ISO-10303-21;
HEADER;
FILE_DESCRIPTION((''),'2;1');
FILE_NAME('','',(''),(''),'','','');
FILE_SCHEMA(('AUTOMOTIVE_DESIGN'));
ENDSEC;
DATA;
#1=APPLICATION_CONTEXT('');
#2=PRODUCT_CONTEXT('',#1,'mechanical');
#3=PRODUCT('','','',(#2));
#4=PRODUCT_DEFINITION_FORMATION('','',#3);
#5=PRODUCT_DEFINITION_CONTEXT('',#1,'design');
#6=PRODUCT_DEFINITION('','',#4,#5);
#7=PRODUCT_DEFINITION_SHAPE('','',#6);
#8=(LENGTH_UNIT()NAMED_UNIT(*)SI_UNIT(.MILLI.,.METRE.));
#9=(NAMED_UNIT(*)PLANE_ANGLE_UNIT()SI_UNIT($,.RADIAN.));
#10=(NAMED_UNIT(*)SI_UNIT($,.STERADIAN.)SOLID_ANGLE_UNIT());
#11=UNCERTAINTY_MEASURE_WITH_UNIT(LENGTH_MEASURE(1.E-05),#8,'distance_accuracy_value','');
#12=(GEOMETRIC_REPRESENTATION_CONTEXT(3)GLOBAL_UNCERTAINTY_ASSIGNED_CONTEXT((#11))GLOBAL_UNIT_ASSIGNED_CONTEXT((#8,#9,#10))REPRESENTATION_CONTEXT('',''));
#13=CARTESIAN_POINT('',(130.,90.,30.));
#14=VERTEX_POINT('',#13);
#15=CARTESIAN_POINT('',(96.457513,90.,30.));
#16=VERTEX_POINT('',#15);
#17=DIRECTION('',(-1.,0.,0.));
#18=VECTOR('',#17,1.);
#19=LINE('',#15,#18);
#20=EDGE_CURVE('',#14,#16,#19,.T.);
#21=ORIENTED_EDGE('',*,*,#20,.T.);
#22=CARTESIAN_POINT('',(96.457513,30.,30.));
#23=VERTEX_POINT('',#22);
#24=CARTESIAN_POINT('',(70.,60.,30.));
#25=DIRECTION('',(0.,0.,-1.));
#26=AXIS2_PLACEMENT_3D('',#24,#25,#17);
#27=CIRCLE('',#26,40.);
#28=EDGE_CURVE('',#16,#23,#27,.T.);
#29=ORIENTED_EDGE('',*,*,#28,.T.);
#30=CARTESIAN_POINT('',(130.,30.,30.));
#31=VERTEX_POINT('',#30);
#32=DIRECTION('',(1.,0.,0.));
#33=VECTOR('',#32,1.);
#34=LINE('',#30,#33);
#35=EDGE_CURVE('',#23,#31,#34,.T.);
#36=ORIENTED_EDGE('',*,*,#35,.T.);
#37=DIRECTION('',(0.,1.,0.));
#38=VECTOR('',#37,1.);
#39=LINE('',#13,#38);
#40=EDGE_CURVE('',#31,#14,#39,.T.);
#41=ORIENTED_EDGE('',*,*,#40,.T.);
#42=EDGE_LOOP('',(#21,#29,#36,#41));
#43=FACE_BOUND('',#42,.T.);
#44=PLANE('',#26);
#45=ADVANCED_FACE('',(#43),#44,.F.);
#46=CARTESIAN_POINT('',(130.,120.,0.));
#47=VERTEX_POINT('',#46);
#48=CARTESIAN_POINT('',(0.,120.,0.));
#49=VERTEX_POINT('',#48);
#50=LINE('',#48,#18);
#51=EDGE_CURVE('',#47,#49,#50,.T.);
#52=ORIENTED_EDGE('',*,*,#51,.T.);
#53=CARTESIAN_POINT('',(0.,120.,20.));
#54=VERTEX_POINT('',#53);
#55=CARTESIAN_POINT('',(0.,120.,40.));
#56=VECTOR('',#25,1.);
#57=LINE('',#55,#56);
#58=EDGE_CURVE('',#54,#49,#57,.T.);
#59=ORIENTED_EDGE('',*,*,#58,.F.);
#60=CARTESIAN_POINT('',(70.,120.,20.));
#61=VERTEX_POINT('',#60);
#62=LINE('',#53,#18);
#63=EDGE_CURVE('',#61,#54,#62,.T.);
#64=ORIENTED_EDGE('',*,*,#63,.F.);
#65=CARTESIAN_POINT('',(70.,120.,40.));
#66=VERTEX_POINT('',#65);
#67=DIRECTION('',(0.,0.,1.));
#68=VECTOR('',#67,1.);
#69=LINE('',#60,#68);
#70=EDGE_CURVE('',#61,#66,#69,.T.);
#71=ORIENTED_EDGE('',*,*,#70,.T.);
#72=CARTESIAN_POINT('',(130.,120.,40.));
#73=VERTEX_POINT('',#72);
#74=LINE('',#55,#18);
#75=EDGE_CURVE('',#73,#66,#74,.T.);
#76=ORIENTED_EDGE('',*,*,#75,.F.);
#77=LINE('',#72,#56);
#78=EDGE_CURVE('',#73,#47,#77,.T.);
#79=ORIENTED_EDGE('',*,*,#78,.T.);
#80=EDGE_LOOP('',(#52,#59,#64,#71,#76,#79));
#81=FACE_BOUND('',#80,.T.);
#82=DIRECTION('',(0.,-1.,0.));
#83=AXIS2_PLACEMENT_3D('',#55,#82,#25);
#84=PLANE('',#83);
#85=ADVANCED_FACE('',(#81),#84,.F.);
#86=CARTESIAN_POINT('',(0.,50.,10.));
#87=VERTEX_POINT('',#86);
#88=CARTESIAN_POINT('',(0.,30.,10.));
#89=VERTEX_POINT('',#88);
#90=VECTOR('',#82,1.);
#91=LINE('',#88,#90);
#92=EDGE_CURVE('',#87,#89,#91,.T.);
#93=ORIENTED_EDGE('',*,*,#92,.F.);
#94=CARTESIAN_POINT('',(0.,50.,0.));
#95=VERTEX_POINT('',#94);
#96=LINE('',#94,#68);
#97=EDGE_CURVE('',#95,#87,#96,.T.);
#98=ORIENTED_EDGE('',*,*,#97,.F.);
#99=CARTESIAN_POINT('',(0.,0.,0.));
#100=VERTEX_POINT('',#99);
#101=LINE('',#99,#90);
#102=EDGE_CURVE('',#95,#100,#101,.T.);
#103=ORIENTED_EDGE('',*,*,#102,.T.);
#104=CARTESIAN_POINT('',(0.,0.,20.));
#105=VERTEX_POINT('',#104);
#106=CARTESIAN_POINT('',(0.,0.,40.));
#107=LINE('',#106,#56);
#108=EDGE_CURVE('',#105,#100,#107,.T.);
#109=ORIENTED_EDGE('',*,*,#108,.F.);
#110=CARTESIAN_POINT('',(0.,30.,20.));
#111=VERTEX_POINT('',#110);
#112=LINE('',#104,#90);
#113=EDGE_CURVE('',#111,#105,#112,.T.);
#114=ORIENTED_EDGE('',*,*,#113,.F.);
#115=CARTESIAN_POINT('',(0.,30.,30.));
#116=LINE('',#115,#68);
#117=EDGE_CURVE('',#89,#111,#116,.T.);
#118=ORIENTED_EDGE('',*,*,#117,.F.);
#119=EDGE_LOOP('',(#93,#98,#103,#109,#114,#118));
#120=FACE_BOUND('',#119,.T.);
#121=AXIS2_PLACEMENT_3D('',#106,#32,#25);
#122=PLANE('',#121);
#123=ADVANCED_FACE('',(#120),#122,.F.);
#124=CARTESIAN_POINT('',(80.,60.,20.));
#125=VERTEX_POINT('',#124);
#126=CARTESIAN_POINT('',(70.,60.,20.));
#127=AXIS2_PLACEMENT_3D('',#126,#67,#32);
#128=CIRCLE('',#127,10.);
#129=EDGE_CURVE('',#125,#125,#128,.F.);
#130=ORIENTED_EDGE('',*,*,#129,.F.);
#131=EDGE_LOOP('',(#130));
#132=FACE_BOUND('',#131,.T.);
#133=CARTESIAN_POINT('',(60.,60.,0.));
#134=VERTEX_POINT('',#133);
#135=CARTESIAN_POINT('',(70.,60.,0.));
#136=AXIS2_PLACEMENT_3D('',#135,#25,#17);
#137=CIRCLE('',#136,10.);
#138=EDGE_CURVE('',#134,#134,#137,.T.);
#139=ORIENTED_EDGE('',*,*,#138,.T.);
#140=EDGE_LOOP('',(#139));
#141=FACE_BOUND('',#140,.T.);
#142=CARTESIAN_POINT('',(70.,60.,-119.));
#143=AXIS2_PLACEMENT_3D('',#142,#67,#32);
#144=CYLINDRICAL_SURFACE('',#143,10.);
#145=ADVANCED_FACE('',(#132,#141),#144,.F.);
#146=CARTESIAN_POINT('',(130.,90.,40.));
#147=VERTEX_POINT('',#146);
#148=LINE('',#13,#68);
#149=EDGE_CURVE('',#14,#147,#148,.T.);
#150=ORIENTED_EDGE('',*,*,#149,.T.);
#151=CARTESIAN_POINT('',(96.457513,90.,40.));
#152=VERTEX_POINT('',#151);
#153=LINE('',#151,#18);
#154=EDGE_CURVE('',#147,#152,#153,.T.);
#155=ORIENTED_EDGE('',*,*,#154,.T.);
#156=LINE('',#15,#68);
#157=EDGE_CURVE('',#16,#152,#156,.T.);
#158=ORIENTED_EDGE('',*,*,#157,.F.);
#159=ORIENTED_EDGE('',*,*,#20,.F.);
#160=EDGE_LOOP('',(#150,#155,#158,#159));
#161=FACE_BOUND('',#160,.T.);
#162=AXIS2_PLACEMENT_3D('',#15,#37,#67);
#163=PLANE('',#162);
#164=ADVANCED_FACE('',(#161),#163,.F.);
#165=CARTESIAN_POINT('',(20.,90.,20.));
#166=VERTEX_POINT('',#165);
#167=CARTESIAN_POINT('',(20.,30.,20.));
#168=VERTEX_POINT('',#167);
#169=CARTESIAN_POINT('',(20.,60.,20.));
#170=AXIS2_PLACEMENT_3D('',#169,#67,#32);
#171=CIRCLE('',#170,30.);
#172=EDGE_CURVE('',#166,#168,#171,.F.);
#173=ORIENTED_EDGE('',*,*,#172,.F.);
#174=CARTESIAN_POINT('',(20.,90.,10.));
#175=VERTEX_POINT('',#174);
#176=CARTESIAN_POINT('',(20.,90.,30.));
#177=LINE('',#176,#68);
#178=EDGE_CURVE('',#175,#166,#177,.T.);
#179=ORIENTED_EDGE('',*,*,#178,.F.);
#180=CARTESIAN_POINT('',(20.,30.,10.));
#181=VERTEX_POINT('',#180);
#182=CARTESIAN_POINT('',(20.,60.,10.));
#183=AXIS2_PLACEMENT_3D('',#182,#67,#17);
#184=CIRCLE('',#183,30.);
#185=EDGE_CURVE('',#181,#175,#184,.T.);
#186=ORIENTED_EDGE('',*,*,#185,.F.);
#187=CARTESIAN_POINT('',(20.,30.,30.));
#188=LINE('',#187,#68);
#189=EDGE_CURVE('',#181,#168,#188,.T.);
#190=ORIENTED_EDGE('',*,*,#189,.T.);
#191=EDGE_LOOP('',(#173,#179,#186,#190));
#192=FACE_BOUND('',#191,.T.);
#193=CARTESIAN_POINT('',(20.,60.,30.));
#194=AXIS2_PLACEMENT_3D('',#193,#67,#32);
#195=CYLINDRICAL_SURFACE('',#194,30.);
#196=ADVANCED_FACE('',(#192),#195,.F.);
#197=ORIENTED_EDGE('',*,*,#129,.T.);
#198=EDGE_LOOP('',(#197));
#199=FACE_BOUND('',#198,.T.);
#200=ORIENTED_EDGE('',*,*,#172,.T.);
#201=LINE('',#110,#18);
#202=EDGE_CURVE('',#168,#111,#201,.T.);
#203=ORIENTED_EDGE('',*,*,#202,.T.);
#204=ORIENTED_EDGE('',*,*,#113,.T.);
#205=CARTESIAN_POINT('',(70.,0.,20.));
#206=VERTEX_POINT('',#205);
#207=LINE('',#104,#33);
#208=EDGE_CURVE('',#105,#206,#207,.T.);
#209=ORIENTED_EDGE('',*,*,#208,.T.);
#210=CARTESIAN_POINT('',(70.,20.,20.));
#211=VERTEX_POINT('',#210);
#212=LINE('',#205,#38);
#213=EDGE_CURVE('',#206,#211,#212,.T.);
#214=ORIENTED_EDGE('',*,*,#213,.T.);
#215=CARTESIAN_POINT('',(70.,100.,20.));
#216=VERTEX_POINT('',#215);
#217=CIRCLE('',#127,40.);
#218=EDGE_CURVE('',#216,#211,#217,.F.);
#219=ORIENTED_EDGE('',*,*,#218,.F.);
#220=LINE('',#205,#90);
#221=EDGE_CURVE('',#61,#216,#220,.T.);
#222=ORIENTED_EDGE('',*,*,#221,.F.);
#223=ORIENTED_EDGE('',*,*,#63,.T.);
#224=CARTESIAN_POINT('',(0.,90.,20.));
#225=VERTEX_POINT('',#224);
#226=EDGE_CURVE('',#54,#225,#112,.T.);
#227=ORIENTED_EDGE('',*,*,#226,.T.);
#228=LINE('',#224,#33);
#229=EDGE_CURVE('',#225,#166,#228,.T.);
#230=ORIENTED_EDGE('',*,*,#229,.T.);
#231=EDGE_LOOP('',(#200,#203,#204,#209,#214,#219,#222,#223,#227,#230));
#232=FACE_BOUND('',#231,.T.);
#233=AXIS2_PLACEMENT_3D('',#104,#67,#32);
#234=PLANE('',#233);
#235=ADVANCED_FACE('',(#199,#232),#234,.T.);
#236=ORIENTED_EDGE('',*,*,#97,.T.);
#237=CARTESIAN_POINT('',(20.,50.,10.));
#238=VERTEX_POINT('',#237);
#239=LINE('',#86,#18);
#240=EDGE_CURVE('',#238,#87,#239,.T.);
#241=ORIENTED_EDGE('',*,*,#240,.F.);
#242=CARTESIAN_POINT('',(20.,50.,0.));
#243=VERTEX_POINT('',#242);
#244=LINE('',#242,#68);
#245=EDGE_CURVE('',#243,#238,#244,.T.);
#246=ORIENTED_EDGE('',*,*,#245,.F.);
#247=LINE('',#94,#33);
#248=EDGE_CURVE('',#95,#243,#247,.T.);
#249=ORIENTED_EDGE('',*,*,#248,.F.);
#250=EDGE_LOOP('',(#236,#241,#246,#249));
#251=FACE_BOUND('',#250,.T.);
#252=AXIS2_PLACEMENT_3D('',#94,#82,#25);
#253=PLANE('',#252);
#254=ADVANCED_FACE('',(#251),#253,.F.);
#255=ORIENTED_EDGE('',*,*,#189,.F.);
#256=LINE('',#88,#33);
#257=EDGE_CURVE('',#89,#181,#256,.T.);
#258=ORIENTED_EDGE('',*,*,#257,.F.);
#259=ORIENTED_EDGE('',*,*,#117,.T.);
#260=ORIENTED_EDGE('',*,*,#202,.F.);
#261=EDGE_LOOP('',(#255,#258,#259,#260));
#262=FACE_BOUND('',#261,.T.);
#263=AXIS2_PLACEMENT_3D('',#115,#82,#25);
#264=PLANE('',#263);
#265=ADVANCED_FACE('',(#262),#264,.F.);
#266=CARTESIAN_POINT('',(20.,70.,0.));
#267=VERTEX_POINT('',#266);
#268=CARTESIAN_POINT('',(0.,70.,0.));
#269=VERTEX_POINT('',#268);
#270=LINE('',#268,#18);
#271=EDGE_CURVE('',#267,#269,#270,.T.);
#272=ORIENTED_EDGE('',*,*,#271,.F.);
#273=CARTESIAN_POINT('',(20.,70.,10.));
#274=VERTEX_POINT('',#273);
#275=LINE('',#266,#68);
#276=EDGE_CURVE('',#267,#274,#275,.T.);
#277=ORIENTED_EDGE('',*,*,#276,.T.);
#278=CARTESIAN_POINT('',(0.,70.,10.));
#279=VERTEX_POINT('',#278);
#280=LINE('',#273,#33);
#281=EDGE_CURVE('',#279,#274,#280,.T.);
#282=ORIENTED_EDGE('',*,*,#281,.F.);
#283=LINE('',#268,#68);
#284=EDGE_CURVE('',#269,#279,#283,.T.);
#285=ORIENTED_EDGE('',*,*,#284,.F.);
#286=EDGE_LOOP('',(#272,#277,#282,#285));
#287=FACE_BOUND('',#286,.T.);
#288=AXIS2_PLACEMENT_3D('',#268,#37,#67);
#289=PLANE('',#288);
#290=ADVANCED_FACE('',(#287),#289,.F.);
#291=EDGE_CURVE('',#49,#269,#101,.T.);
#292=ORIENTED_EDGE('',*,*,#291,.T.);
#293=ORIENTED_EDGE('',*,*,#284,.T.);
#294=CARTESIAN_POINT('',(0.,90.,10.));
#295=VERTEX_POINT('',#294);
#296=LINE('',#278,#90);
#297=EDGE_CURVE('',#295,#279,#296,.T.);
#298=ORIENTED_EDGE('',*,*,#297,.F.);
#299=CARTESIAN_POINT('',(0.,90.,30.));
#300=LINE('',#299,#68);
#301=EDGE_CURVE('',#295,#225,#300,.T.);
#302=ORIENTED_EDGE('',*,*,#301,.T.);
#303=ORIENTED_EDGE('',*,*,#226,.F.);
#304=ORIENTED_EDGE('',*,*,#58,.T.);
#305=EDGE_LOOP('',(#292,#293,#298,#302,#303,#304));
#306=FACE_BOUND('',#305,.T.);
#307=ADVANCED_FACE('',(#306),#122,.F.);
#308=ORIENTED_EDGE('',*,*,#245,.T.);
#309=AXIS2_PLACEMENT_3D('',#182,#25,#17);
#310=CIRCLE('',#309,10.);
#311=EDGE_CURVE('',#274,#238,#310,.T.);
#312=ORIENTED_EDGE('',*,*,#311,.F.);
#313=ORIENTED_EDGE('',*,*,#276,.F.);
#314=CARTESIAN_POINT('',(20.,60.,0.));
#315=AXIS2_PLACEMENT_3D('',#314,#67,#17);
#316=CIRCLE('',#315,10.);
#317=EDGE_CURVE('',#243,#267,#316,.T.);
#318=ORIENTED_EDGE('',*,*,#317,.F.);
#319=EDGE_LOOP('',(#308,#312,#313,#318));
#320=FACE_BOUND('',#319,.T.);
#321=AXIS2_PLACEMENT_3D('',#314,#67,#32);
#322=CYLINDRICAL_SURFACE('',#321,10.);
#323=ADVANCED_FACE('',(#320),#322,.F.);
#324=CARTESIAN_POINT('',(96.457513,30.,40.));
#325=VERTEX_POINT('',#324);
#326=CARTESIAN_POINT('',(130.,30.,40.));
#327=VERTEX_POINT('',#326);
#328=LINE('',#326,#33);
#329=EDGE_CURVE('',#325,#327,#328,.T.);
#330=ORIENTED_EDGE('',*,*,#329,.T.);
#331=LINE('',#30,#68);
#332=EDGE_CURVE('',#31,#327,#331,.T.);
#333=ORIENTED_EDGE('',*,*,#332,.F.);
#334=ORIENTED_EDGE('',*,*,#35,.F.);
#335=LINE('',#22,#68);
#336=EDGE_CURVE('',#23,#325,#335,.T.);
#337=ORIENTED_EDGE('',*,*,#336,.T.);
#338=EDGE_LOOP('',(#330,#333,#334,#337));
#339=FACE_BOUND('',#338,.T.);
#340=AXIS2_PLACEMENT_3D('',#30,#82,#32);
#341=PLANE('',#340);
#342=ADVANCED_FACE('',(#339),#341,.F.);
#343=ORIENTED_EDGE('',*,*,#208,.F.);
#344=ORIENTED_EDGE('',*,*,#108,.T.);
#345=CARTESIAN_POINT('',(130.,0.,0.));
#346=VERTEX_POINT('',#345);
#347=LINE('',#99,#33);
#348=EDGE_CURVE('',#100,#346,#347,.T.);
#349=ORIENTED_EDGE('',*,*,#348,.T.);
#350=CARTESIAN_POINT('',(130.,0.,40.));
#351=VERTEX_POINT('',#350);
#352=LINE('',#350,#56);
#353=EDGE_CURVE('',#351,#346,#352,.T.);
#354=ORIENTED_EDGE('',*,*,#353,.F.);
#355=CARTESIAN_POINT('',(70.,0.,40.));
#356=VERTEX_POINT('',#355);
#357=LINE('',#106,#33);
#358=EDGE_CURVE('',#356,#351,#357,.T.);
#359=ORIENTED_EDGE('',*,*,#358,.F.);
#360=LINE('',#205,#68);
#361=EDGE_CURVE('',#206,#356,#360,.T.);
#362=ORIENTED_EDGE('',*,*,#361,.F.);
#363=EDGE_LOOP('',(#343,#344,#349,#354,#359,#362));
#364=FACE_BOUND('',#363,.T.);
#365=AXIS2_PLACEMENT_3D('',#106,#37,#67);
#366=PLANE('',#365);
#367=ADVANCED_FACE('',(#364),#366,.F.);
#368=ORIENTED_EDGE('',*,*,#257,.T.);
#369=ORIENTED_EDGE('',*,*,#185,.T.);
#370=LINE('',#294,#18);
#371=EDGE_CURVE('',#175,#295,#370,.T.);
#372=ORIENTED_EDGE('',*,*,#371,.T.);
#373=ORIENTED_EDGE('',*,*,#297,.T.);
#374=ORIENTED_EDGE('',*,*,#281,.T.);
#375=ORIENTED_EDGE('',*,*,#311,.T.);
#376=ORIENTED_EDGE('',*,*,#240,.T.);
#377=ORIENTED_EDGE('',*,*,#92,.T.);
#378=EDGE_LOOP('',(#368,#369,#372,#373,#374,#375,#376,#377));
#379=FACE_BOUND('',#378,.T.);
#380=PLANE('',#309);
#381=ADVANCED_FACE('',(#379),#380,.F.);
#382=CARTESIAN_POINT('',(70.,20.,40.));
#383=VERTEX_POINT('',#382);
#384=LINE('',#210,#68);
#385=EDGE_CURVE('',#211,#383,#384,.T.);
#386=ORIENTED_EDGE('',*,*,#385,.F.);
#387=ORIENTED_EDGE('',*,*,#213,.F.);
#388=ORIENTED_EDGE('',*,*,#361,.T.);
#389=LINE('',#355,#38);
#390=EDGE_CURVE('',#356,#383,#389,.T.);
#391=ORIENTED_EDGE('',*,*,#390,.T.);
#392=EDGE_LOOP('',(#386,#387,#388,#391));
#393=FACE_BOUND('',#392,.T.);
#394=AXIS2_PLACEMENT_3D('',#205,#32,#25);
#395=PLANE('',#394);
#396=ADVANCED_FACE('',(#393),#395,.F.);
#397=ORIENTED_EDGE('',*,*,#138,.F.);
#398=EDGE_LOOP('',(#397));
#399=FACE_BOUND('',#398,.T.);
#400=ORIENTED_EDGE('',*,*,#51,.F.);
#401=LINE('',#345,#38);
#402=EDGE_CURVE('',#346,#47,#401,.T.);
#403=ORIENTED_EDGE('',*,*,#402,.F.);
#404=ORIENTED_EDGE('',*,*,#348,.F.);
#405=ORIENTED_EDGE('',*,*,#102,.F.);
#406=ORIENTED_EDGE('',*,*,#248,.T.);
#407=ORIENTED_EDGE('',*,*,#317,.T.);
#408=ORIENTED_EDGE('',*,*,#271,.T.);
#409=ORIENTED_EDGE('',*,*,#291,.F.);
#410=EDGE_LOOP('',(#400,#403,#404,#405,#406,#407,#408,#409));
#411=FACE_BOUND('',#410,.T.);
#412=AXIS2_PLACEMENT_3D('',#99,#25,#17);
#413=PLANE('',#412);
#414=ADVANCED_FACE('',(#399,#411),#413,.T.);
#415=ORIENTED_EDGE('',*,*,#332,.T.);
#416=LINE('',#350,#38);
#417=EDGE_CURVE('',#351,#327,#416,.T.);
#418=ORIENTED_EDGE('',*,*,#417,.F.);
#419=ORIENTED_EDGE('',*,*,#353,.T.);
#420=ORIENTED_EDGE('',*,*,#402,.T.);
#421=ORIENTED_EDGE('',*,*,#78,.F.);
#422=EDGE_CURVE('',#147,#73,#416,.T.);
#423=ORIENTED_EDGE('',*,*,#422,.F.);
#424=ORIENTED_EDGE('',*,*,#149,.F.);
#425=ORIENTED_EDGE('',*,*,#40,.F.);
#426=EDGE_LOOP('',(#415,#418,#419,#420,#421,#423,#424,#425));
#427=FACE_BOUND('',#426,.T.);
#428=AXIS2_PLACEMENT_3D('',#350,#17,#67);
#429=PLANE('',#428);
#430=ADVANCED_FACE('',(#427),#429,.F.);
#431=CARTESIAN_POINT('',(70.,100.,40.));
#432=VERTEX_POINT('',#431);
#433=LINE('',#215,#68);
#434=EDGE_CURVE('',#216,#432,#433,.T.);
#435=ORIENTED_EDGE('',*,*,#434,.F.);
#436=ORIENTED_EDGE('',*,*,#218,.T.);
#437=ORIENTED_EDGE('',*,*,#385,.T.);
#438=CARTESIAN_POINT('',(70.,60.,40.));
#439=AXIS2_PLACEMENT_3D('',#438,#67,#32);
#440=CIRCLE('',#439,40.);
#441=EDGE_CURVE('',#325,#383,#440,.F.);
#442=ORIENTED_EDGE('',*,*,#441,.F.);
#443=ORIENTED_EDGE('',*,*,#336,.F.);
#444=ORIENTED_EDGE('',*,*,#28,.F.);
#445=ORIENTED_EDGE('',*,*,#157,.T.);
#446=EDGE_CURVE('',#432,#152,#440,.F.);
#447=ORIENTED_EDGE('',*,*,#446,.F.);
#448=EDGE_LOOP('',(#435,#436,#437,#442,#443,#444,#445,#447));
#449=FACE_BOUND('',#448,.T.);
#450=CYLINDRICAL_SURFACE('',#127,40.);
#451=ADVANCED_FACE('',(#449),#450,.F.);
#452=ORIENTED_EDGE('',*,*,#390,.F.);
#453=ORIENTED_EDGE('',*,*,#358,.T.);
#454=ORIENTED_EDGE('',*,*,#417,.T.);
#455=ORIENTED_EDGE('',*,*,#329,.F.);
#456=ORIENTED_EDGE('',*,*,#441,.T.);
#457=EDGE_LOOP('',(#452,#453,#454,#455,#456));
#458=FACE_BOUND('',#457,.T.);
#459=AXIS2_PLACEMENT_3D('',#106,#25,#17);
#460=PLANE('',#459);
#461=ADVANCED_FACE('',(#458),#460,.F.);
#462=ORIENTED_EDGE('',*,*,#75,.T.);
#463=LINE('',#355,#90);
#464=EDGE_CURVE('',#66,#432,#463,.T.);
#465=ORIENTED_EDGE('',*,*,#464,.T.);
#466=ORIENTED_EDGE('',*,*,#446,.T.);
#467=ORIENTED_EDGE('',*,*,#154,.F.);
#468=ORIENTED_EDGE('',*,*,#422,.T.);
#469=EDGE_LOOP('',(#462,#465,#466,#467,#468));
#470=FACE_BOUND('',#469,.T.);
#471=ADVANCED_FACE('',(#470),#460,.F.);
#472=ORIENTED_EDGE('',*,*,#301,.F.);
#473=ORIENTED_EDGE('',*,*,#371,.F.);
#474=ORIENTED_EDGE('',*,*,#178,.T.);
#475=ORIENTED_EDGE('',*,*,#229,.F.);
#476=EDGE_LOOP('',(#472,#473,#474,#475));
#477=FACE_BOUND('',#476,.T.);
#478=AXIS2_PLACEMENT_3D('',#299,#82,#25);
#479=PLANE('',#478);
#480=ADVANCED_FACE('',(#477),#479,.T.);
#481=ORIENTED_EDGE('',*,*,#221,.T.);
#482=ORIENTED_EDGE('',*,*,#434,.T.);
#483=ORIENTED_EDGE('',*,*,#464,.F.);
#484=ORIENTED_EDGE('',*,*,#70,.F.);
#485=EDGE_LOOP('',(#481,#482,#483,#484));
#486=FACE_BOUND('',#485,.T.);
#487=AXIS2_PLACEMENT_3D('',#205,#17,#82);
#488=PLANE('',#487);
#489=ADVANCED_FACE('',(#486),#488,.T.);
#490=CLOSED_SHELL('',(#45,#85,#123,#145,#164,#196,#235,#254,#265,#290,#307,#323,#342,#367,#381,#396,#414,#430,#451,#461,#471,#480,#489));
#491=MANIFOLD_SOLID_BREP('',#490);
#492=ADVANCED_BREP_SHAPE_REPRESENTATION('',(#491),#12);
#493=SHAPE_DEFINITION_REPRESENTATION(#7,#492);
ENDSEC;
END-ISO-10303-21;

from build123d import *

# Parameters (mm, degrees)
SKETCH1_W           = 130
SKETCH1_H           = 120
BOSS_EXTRUDE1_DEPTH = 40
CUT_EXTRUDE1_DEPTH  = 40
CUT_EXTRUDE2_DEPTH  = 10
SKETCH4_R           = 10
CUT_EXTRUDE4_DEPTH  = 159
CUT_EXTRUDE5_DEPTH  = 20
SKETCH7_R           = 10
CUT_EXTRUDE6_DEPTH  = 20
CUT_EXTRUDE7_DEPTH  = 10


with BuildPart() as part:
    # Sketch1 → Boss-Extrude1 (new body)
    with BuildSketch(Plane.XY):
        with Locations((65, 60)):
            Rectangle(SKETCH1_W, SKETCH1_H)
    extrude(amount=BOSS_EXTRUDE1_DEPTH)

    # Sketch2 → Cut-Extrude1 (cut)
    with BuildSketch(Plane.XY.offset(40)):
        with BuildLine():
            Line((0, 70), (20, 70))
            ThreePointArc((20, 70), (30, 60), (20, 50))
            Line((20, 50), (0, 50))
            Line((0, 50), (0, 70))
        make_face()
    extrude(amount=-CUT_EXTRUDE1_DEPTH, mode=Mode.SUBTRACT)

    # Sketch3 → Cut-Extrude2 (cut)
    with BuildSketch(Plane.XY.offset(40)):
        with BuildLine():
            Line((20, 90), (0, 90))
            Line((0, 90), (0, 70))
            Line((0, 70), (20, 70))
            ThreePointArc((20, 70), (30, 60), (20, 50))
            Line((20, 50), (0, 50))
            Line((0, 50), (0, 30))
            Line((0, 30), (20, 30))
            ThreePointArc((20, 30), (50, 60), (20, 90))
        make_face()
    extrude(amount=-CUT_EXTRUDE2_DEPTH, mode=Mode.SUBTRACT)

    # Sketch4 → Cut-Extrude4 (cut)
    with BuildSketch(Plane.XY.offset(40)):
        with Locations((70, 60)):
            Circle(SKETCH4_R)
    extrude(amount=-CUT_EXTRUDE4_DEPTH, mode=Mode.SUBTRACT)

    # Sketch6 → Cut-Extrude5 (cut)
    with BuildSketch(Plane.XY.offset(30)):
        with BuildLine():
            Line((0, 90), (20, 90))
            ThreePointArc((20, 90), (50, 60), (20, 30))
            Line((20, 30), (0, 30))
            Line((0, 30), (0, 50))
            Line((0, 50), (20, 50))
            ThreePointArc((20, 50), (30, 60), (20, 70))
            Line((20, 70), (0, 70))
            Line((0, 70), (0, 90))
        make_face()
    extrude(amount=-CUT_EXTRUDE5_DEPTH, mode=Mode.SUBTRACT)

    # Sketch7 → Cut-Extrude6 (cut)
    with BuildSketch(Plane.XY.offset(40)):
        with BuildLine():
            Line((0, 120), (0, 90))
            Line((0, 90), (20, 90))
            ThreePointArc((20, 90), (50, 60), (20, 30))
            Line((20, 30), (0, 30))
            Line((0, 30), (0, 0))
            Line((0, 0), (70, 0))
            Line((70, 0), (70, 20))
            ThreePointArc((70, 20), (110, 60), (70, 100))
            Line((70, 100), (70, 120))
            Line((70, 120), (0, 120))
        make_face()
        with Locations((70, 60)):
            Circle(SKETCH7_R, mode=Mode.SUBTRACT)
    extrude(amount=-CUT_EXTRUDE6_DEPTH, mode=Mode.SUBTRACT)

    # Sketch8 → Cut-Extrude7 (cut)
    with BuildSketch(Plane.XY.offset(40)):
        with BuildLine():
            Line((96.457513111, 90), (130, 90))
            Line((130, 90), (130, 30))
            Line((130, 30), (96.457513111, 30))
            ThreePointArc((96.457513111, 30), (110, 60), (96.457513111, 90))
        make_face()
    extrude(amount=-CUT_EXTRUDE7_DEPTH, mode=Mode.SUBTRACT)


solid = part.part
